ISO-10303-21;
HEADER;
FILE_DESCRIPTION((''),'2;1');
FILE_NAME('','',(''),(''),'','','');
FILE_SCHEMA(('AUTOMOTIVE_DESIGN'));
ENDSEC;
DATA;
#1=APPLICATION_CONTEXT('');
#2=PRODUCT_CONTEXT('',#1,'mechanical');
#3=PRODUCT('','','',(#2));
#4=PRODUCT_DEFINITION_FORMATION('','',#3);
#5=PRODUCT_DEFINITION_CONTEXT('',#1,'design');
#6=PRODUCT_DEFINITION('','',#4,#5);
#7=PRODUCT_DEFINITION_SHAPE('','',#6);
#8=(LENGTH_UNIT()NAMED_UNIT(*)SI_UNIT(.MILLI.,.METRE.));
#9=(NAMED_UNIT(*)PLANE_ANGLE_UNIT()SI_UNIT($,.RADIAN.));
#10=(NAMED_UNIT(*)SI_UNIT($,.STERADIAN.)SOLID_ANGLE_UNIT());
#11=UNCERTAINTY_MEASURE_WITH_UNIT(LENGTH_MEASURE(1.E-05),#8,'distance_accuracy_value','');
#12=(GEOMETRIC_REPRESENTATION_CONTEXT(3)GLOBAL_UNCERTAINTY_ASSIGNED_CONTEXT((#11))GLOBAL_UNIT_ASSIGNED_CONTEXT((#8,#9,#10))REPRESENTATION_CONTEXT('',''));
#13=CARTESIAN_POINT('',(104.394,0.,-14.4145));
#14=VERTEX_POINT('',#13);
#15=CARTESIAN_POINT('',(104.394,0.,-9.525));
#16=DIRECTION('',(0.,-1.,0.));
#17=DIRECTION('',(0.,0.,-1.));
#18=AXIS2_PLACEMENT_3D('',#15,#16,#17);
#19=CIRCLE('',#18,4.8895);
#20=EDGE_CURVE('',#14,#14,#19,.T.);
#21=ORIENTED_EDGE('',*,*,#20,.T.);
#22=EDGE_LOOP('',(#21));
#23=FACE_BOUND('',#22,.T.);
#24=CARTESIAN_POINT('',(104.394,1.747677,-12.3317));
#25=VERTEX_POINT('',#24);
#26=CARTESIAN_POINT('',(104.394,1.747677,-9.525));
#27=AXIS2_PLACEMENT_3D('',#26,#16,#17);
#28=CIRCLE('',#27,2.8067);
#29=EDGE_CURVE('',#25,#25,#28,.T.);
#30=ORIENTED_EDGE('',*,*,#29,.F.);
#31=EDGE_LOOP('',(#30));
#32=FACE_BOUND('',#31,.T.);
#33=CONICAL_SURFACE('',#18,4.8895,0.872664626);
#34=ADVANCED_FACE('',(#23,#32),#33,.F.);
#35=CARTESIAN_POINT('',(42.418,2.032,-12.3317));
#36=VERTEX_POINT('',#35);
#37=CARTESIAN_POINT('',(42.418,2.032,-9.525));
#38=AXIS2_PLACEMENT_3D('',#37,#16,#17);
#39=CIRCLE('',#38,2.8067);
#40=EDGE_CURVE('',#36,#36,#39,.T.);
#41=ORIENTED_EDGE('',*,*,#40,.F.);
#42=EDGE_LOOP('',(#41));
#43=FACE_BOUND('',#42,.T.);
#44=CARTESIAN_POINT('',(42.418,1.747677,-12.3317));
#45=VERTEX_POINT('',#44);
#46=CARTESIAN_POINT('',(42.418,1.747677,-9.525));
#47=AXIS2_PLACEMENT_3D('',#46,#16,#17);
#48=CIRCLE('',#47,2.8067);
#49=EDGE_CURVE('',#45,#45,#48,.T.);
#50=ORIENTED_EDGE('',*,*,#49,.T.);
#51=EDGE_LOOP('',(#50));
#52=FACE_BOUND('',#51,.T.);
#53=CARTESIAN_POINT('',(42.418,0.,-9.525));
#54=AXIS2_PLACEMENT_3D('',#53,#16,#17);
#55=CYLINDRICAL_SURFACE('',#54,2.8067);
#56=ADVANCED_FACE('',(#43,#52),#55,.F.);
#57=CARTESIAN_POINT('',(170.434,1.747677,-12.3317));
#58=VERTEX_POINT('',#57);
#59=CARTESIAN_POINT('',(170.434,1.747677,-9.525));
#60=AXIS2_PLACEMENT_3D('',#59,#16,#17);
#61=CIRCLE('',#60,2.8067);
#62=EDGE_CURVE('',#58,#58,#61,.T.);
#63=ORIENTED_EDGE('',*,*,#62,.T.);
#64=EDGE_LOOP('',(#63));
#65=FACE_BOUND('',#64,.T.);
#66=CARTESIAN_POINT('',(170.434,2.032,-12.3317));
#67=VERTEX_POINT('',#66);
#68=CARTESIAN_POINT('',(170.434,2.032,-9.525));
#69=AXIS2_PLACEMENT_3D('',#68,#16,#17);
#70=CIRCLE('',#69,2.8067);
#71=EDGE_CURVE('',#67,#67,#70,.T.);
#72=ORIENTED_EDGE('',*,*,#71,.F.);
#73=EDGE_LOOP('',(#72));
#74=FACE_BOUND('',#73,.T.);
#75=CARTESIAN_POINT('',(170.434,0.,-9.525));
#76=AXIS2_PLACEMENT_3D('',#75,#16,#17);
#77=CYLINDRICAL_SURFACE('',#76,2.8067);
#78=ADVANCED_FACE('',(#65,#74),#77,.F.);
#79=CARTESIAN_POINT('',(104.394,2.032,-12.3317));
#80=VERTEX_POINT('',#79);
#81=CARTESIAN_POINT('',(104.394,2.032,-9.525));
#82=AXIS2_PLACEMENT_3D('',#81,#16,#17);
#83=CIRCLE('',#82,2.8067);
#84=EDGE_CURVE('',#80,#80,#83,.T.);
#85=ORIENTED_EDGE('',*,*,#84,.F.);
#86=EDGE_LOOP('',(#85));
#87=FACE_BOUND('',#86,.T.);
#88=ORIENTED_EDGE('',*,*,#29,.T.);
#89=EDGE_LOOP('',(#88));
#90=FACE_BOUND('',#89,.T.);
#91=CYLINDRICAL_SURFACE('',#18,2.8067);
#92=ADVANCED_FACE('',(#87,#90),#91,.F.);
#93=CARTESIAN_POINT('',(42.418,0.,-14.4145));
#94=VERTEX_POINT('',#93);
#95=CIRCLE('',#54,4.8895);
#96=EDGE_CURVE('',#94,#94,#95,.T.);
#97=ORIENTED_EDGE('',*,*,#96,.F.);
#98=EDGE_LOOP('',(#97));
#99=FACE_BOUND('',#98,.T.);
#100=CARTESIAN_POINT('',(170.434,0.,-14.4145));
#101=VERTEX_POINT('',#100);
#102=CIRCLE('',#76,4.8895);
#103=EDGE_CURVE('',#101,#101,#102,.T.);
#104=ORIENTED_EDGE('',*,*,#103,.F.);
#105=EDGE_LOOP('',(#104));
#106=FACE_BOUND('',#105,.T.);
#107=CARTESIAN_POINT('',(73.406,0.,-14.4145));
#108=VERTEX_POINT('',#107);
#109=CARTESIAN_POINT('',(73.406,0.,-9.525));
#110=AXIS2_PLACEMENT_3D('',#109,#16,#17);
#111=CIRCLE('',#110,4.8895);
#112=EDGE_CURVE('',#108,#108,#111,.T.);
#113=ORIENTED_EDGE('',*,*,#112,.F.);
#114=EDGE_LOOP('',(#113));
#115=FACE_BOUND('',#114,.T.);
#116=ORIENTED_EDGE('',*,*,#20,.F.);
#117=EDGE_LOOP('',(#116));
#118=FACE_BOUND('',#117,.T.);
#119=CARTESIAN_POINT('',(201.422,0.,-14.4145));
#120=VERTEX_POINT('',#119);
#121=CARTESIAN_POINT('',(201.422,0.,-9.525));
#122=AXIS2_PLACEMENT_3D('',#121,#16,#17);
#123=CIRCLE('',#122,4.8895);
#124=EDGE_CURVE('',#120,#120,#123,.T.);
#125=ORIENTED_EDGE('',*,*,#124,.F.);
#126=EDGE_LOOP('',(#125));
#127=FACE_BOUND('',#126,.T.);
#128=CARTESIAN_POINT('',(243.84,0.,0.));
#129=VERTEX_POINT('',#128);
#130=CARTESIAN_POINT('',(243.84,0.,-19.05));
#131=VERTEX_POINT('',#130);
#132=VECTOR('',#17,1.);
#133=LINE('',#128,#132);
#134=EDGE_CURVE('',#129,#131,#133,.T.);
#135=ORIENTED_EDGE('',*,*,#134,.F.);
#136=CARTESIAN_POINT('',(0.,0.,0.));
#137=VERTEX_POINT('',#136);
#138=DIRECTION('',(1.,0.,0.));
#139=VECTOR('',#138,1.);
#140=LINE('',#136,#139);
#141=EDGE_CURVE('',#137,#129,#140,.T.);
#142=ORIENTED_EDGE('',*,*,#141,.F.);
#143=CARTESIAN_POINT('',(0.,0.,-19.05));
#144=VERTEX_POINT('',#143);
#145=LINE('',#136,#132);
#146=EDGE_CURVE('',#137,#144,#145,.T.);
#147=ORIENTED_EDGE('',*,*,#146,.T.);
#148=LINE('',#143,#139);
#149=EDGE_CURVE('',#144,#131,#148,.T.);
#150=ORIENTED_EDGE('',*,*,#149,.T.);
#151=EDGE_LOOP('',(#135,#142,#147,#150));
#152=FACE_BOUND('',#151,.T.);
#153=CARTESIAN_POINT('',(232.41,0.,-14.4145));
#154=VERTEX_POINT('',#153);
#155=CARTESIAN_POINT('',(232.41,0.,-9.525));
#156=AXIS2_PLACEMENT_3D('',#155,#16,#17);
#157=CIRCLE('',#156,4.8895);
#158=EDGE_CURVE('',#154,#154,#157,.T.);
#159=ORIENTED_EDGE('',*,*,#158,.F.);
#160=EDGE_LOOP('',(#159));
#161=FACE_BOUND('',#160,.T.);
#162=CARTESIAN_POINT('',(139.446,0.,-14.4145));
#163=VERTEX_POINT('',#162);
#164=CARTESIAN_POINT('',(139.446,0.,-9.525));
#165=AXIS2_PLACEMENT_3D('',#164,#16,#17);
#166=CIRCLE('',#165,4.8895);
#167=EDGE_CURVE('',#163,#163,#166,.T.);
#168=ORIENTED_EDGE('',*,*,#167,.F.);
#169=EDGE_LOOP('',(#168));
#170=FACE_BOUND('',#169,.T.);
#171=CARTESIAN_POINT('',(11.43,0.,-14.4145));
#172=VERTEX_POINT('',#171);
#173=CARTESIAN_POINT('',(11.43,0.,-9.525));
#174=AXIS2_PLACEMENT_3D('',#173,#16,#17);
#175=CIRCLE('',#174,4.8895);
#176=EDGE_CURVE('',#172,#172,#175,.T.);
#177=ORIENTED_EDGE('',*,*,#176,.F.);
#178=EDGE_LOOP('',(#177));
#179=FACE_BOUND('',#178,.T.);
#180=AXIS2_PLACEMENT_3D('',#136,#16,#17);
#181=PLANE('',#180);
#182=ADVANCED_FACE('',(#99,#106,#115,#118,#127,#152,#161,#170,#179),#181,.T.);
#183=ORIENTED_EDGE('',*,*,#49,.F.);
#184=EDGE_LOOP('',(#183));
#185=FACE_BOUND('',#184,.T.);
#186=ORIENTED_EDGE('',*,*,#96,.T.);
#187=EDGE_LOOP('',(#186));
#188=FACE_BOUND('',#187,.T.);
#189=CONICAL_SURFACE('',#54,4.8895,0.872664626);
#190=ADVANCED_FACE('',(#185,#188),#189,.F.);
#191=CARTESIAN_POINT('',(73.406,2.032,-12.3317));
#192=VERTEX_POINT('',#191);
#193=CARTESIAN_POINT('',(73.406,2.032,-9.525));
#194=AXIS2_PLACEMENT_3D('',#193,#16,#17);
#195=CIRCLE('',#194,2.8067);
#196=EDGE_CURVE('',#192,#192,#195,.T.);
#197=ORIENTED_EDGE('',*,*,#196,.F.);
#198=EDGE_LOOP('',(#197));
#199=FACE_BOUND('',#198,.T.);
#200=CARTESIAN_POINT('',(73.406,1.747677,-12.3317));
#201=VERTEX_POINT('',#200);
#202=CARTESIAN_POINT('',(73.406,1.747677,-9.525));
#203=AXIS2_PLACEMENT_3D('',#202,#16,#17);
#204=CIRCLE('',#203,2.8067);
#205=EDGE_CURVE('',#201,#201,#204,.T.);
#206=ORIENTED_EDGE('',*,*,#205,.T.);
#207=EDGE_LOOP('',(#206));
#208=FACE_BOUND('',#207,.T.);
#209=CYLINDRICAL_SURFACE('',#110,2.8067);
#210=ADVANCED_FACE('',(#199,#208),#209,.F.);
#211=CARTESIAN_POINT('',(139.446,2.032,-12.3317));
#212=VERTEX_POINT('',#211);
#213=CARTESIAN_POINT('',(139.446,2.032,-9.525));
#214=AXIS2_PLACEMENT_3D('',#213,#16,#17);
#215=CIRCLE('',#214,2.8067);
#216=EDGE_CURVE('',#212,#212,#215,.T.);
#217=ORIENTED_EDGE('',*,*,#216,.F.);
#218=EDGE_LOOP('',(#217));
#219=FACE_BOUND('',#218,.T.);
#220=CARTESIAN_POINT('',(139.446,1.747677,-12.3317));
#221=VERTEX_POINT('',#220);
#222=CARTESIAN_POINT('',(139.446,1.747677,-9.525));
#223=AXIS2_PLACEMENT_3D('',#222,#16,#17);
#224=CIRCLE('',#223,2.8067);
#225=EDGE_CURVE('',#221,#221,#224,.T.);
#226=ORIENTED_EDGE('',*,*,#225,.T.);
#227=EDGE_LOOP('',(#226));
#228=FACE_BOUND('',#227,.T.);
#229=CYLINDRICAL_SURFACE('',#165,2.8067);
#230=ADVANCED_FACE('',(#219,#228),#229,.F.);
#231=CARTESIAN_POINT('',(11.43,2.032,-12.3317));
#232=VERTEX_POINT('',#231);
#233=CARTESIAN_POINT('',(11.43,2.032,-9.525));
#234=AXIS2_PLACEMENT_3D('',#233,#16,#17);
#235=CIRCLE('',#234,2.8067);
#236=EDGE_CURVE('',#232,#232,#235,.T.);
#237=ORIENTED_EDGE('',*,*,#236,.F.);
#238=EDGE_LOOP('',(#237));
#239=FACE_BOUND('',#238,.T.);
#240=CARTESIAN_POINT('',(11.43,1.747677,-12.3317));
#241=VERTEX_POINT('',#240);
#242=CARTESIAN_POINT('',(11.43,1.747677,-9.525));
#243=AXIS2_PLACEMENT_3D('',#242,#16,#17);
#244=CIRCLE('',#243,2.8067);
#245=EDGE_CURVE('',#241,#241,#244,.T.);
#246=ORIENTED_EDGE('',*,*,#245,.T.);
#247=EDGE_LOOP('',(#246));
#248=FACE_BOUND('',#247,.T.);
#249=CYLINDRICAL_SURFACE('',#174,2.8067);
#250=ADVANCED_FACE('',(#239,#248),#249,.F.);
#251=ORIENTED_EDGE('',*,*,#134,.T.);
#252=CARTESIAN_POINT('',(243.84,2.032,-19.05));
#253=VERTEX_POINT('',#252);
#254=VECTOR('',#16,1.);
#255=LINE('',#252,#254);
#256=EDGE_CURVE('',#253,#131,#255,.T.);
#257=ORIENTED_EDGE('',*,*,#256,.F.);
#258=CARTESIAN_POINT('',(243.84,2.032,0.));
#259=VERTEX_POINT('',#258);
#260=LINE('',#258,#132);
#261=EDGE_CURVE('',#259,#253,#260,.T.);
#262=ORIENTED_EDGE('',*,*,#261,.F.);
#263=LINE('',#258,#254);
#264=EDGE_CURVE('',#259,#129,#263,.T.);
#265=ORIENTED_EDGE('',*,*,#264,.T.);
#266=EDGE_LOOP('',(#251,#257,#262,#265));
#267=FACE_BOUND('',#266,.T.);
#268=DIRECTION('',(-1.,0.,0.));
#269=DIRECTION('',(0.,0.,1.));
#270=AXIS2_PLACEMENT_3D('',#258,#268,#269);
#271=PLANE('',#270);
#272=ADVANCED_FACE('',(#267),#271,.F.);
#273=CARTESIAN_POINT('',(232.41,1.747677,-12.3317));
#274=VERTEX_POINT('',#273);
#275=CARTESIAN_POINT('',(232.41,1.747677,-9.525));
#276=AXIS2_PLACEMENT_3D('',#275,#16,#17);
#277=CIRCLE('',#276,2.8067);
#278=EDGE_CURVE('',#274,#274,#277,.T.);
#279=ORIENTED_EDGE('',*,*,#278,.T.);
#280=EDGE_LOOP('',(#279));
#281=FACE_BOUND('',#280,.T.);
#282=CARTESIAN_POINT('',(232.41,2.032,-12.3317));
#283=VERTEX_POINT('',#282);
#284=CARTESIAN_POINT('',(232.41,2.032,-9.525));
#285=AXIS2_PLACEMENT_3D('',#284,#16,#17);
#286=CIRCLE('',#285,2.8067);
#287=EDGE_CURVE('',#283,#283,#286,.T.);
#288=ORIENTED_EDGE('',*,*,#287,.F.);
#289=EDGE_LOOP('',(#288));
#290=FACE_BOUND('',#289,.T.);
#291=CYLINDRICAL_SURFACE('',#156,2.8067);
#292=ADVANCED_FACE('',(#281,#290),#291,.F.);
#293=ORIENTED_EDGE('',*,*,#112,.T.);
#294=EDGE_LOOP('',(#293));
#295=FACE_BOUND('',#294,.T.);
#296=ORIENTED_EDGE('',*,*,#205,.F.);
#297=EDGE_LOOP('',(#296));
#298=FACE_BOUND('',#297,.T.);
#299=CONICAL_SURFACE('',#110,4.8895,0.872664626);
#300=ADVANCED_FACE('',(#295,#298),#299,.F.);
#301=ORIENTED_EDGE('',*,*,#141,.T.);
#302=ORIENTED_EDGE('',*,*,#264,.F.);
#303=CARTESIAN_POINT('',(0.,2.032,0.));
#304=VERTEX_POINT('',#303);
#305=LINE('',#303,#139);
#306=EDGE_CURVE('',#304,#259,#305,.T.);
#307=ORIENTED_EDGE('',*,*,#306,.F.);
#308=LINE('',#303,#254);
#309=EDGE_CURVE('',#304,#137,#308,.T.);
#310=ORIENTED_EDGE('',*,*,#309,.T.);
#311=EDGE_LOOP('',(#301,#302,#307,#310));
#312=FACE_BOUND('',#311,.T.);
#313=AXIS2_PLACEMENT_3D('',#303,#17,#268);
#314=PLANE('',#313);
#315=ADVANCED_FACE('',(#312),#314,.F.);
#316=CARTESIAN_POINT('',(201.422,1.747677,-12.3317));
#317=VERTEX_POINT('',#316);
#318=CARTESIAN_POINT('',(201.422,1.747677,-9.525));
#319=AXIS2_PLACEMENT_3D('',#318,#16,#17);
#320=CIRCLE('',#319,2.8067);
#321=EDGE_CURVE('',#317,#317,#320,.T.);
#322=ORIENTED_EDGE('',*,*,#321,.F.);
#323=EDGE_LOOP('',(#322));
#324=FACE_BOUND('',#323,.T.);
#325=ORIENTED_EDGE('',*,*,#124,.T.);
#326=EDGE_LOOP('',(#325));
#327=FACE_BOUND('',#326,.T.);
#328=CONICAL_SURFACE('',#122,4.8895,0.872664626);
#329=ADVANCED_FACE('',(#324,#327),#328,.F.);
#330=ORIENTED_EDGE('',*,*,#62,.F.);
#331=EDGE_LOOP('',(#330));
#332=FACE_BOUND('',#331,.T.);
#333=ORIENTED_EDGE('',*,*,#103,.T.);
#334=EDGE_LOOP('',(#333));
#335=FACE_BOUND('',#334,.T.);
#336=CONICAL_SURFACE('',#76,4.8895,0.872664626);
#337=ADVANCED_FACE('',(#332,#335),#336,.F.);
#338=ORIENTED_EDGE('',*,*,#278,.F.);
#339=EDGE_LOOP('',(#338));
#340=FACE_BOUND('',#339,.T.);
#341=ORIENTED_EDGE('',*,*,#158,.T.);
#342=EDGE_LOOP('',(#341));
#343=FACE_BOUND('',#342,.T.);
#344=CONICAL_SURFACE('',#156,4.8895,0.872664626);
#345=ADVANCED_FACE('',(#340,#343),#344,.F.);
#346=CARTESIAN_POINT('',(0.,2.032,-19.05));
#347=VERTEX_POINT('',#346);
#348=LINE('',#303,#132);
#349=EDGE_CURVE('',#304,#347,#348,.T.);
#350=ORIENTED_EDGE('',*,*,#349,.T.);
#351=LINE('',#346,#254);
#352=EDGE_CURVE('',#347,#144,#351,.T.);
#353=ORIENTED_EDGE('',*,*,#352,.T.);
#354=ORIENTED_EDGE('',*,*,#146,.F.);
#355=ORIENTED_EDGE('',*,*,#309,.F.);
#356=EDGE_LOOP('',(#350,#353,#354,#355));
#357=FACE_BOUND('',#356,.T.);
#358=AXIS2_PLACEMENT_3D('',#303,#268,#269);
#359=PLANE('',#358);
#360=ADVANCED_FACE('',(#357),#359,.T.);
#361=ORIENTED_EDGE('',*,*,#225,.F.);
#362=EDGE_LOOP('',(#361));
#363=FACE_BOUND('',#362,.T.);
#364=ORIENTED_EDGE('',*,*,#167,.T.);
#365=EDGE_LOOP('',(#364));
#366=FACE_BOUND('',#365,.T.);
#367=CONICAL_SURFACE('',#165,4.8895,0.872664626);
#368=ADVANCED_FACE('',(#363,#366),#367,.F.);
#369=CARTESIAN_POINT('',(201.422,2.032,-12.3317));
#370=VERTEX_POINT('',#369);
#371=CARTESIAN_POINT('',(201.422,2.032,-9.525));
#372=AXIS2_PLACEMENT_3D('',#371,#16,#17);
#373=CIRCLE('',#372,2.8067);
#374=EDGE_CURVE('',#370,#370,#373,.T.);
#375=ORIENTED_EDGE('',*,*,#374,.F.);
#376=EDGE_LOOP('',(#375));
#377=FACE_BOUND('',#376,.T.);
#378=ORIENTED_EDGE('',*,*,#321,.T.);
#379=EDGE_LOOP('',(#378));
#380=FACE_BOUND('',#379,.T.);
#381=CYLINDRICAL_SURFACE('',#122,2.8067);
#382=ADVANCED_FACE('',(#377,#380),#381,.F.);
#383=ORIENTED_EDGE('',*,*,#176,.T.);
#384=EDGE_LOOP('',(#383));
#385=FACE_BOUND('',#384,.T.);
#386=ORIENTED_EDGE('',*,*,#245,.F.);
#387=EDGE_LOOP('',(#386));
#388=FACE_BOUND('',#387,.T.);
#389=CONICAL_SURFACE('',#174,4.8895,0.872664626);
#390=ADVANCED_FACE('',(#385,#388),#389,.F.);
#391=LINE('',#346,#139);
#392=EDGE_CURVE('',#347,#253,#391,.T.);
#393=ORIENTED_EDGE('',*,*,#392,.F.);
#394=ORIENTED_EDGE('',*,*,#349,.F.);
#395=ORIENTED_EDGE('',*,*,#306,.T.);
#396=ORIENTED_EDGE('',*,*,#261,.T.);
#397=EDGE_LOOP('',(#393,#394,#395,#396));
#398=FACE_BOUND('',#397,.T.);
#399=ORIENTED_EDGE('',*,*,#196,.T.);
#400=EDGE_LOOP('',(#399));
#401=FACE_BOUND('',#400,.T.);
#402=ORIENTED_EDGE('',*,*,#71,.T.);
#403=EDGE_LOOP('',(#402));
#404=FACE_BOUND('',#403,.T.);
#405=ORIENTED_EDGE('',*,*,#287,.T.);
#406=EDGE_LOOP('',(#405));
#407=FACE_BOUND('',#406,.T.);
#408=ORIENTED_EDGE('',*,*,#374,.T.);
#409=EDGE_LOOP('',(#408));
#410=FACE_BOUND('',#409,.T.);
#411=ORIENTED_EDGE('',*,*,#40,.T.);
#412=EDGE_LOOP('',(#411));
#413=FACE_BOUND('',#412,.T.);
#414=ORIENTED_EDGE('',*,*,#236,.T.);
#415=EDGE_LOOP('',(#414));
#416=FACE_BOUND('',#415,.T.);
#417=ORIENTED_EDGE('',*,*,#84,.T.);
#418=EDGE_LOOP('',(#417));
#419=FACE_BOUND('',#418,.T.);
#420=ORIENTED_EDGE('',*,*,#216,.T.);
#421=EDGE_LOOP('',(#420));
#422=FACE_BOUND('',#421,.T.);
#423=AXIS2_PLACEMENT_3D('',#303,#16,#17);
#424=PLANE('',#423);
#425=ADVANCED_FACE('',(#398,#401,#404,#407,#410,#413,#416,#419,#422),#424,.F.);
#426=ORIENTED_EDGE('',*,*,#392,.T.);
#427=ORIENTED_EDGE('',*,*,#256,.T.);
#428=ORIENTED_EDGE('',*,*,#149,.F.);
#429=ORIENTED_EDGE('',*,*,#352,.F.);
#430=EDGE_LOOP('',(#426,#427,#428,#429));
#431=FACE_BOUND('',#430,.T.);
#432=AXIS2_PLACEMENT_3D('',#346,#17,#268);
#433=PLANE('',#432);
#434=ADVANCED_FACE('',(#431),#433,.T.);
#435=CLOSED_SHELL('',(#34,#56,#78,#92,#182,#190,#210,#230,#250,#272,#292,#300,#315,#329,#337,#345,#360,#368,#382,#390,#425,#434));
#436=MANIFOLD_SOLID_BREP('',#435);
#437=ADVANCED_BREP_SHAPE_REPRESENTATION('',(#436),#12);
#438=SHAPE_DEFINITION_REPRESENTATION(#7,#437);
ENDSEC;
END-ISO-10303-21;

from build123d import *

# Parameters (mm, degrees)
SKETCH1_W                                  = 243.84
SKETCH1_H                                  = 19.05
BOSS_EXTRUDE1_DEPTH                        = 2.032
CSK_FOR_10_FLAT_HEAD_MACHINE_SCREW_2_COUNT = 2
CSK_FOR_10_FLAT_HEAD_MACHINE_SCREW_2_PITCH = 30.988
CSK_FOR_10_FLAT_HEAD_MACHINE_SCREW_3_COUNT = 2
CSK_FOR_10_FLAT_HEAD_MACHINE_SCREW_3_PITCH = 61.976
CSK_FOR_10_FLAT_HEAD_MACHINE_SCREW_4_COUNT = 2
CSK_FOR_10_FLAT_HEAD_MACHINE_SCREW_4_PITCH = 92.964
CSK_FOR_10_FLAT_HEAD_MACHINE_SCREW_5_COUNT = 2
CSK_FOR_10_FLAT_HEAD_MACHINE_SCREW_5_PITCH = 128.016
CSK_FOR_10_FLAT_HEAD_MACHINE_SCREW_6_COUNT = 2
CSK_FOR_10_FLAT_HEAD_MACHINE_SCREW_6_PITCH = 159.004
CSK_FOR_10_FLAT_HEAD_MACHINE_SCREW_7_COUNT = 2
CSK_FOR_10_FLAT_HEAD_MACHINE_SCREW_7_PITCH = 189.992
CSK_FOR_10_FLAT_HEAD_MACHINE_SCREW_8_COUNT = 2
CSK_FOR_10_FLAT_HEAD_MACHINE_SCREW_8_PITCH = 220.98


with BuildPart() as part:
    # Sketch1 → Boss-Extrude1 (new body)
    with BuildSketch(Plane(origin=(0, 0, 0), x_dir=(1, 0, 0), z_dir=(0, 1, 0))):
        with Locations((121.92, 9.525)):
            Rectangle(SKETCH1_W, SKETCH1_H)
    extrude(amount=BOSS_EXTRUDE1_DEPTH)

    # Sketch3 → CSK for #10 Flat Head Machine Screw (100)1 (revolve, cut)
    with BuildSketch(Plane(origin=(11.43, 0, -9.525), x_dir=(0, 0, -1), z_dir=(1, 0, 0))):
        Polygon((0, 0), (0, 2.032), (2.8067, 2.032), (2.8067, 1.747676712), (4.8895, 0), align=None)
    csk_for_10_flat_head_machine_screw_100 = revolve(axis=Axis((11.43, -6.35, -9.525), (0, 1, 0)), mode=Mode.SUBTRACT)

    # CSK for _10 Flat Head Machine Screw  2: CSK for #10 Flat Head Machine Screw (100)1 ×2
    with Locations(*[(i * CSK_FOR_10_FLAT_HEAD_MACHINE_SCREW_2_PITCH, 0, 0) for i in range(1, CSK_FOR_10_FLAT_HEAD_MACHINE_SCREW_2_COUNT)]):
        add(csk_for_10_flat_head_machine_screw_100, mode=Mode.SUBTRACT)

    # CSK for _10 Flat Head Machine Screw  3: CSK for #10 Flat Head Machine Screw (100)1 ×2
    with Locations(*[(i * CSK_FOR_10_FLAT_HEAD_MACHINE_SCREW_3_PITCH, 0, 0) for i in range(1, CSK_FOR_10_FLAT_HEAD_MACHINE_SCREW_3_COUNT)]):
        add(csk_for_10_flat_head_machine_screw_100, mode=Mode.SUBTRACT)

    # CSK for _10 Flat Head Machine Screw  4: CSK for #10 Flat Head Machine Screw (100)1 ×2
    with Locations(*[(i * CSK_FOR_10_FLAT_HEAD_MACHINE_SCREW_4_PITCH, 0, 0) for i in range(1, CSK_FOR_10_FLAT_HEAD_MACHINE_SCREW_4_COUNT)]):
        add(csk_for_10_flat_head_machine_screw_100, mode=Mode.SUBTRACT)

    # CSK for _10 Flat Head Machine Screw  5: CSK for #10 Flat Head Machine Screw (100)1 ×2
    with Locations(*[(i * CSK_FOR_10_FLAT_HEAD_MACHINE_SCREW_5_PITCH, 0, 0) for i in range(1, CSK_FOR_10_FLAT_HEAD_MACHINE_SCREW_5_COUNT)]):
        add(csk_for_10_flat_head_machine_screw_100, mode=Mode.SUBTRACT)

    # CSK for _10 Flat Head Machine Screw  6: CSK for #10 Flat Head Machine Screw (100)1 ×2
    with Locations(*[(i * CSK_FOR_10_FLAT_HEAD_MACHINE_SCREW_6_PITCH, 0, 0) for i in range(1, CSK_FOR_10_FLAT_HEAD_MACHINE_SCREW_6_COUNT)]):
        add(csk_for_10_flat_head_machine_screw_100, mode=Mode.SUBTRACT)

    # CSK for _10 Flat Head Machine Screw  7: CSK for #10 Flat Head Machine Screw (100)1 ×2
    with Locations(*[(i * CSK_FOR_10_FLAT_HEAD_MACHINE_SCREW_7_PITCH, 0, 0) for i in range(1, CSK_FOR_10_FLAT_HEAD_MACHINE_SCREW_7_COUNT)]):
        add(csk_for_10_flat_head_machine_screw_100, mode=Mode.SUBTRACT)

    # CSK for _10 Flat Head Machine Screw  8: CSK for #10 Flat Head Machine Screw (100)1 ×2
    with Locations(*[(i * CSK_FOR_10_FLAT_HEAD_MACHINE_SCREW_8_PITCH, 0, 0) for i in range(1, CSK_FOR_10_FLAT_HEAD_MACHINE_SCREW_8_COUNT)]):
        add(csk_for_10_flat_head_machine_screw_100, mode=Mode.SUBTRACT)


solid = part.part
